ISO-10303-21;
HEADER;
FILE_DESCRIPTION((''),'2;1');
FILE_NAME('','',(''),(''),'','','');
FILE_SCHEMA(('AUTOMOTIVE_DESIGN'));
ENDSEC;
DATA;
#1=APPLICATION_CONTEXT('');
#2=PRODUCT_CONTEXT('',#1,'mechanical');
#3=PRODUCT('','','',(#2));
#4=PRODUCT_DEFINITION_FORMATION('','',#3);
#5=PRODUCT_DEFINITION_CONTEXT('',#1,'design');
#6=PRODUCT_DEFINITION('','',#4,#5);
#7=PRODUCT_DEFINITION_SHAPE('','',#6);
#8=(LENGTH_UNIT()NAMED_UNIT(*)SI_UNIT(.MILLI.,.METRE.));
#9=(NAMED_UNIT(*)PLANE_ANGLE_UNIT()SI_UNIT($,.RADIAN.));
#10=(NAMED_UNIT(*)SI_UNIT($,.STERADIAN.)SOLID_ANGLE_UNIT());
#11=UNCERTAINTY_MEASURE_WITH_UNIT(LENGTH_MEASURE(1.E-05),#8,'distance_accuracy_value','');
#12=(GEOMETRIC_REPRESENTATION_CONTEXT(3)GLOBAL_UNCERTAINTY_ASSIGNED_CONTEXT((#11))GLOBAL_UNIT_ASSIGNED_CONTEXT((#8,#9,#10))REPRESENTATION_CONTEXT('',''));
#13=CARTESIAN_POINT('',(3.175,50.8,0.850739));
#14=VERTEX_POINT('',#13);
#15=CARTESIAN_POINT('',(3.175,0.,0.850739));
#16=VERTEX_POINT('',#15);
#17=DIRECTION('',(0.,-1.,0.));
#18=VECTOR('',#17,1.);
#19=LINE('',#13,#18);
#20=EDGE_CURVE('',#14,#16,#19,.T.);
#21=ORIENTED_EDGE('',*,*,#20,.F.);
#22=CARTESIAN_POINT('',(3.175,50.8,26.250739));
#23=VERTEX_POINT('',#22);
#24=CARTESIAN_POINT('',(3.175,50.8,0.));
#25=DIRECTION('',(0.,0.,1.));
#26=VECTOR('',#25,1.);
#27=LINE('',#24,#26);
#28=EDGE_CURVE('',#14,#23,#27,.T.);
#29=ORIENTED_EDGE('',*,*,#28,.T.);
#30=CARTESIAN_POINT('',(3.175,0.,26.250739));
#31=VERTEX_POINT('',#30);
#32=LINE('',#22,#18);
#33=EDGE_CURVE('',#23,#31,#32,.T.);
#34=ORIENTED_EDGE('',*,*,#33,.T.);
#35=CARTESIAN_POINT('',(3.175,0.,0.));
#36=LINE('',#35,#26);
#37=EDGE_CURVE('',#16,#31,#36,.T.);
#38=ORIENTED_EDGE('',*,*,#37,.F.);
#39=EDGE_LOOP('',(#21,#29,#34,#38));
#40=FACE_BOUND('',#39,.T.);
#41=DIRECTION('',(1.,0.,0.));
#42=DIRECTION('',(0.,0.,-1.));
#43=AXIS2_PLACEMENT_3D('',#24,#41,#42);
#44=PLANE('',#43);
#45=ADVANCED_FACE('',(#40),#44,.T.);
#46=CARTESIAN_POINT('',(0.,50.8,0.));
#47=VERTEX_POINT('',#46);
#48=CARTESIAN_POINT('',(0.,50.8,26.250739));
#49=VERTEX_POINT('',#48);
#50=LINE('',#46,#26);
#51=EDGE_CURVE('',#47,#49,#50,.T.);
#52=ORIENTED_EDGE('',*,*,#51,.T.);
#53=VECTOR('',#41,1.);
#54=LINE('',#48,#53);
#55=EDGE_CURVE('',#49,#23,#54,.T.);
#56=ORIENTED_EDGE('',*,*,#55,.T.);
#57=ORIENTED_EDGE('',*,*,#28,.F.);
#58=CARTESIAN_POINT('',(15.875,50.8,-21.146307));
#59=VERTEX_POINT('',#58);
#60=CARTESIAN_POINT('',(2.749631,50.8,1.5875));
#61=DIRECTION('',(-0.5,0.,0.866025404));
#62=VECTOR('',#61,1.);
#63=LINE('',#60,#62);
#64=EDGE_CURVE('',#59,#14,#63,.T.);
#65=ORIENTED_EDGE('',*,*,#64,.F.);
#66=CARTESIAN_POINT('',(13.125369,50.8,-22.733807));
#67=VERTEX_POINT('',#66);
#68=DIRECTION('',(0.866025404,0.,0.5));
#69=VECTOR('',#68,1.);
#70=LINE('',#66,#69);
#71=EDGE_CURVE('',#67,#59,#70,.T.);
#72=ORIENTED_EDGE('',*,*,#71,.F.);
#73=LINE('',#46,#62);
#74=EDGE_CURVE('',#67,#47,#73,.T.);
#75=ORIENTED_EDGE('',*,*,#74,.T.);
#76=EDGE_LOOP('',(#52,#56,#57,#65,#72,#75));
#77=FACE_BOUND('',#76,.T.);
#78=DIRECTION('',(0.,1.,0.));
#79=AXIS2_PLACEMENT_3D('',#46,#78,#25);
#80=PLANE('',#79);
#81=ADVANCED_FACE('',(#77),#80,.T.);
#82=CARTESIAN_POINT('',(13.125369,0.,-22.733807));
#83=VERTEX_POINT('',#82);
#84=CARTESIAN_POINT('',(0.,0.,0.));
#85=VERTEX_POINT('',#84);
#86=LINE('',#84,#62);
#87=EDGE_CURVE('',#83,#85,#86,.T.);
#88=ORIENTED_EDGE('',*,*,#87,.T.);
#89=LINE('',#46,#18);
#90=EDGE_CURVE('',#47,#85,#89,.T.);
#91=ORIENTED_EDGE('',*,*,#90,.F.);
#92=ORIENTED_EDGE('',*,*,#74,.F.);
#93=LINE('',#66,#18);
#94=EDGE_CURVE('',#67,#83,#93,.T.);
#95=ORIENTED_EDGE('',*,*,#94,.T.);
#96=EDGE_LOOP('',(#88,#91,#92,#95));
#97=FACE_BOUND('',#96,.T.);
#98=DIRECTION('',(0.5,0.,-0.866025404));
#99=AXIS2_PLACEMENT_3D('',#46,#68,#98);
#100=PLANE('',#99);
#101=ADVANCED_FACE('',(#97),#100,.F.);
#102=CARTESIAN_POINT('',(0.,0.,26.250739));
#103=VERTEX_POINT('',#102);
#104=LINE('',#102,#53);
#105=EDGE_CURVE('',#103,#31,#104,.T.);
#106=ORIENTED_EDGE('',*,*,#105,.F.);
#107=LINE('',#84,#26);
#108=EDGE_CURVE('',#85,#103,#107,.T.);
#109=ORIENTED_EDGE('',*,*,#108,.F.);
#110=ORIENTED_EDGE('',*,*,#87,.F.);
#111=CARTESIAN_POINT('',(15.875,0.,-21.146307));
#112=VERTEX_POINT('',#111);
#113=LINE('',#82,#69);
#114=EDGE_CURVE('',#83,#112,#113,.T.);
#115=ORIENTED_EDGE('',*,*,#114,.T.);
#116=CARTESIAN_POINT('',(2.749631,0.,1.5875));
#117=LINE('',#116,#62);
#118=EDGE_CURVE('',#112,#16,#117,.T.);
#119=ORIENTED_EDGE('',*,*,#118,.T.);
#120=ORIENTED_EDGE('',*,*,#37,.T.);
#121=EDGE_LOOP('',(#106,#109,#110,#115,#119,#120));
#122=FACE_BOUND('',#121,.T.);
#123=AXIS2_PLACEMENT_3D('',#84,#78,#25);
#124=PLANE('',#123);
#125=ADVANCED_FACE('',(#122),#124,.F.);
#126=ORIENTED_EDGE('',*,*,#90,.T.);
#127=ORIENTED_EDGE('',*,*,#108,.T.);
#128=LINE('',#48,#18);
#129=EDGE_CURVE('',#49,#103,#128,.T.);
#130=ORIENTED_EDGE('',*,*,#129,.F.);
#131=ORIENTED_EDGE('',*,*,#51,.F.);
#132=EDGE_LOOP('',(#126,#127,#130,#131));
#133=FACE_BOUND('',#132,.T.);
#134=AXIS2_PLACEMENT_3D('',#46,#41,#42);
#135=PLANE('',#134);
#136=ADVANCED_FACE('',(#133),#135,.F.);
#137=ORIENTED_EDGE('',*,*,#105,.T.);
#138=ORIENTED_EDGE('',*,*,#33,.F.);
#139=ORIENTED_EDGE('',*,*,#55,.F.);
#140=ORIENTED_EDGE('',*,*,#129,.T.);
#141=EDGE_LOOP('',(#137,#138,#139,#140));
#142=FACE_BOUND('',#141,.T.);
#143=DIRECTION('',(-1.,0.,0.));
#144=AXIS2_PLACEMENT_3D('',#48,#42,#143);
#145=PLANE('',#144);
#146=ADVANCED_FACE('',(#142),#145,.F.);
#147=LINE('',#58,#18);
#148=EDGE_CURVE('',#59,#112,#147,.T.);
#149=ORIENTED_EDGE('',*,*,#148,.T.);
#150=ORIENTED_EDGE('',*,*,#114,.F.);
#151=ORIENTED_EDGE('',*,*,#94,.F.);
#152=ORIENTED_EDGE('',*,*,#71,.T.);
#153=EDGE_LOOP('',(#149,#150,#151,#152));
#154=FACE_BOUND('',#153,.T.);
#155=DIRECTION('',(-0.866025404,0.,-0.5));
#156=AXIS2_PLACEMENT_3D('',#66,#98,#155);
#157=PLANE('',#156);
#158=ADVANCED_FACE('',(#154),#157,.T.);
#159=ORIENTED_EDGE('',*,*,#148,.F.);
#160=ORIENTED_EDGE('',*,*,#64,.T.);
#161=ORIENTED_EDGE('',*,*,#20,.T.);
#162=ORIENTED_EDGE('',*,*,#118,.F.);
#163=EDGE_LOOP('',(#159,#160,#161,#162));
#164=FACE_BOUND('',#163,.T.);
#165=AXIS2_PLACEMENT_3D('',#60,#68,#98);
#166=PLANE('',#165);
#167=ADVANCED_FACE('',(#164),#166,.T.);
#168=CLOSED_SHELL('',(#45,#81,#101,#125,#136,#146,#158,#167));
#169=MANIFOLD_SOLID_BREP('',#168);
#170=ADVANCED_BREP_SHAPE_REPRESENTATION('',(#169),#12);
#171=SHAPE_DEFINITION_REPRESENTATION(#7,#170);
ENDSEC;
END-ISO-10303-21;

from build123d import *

# Parameters (mm, degrees)
BOSS_EXTRUDE1_DEPTH = 50.8


with BuildPart() as part:
    # Sketch1 → Boss-Extrude1 (new body)
    with BuildSketch(Plane(origin=(0, 0, 0), x_dir=(1, 0, 0), z_dir=(0, 1, 0))):
        Polygon((2.749630657, -1.5875), (0, 0), (0, -26.250738686), (3.175, -26.250738686), (3.175, -0.850738686), align=None)
        Polygon((15.875, 21.14630657), (13.125369343, 22.73380657), (0, 0), (3.175, 0), (3.175, -0.850738686), align=None)
        Polygon((3.175, 0), (0, 0), (2.749630657, -1.5875), (3.175, -0.850738686), align=None)
    extrude(amount=BOSS_EXTRUDE1_DEPTH)


solid = part.part
